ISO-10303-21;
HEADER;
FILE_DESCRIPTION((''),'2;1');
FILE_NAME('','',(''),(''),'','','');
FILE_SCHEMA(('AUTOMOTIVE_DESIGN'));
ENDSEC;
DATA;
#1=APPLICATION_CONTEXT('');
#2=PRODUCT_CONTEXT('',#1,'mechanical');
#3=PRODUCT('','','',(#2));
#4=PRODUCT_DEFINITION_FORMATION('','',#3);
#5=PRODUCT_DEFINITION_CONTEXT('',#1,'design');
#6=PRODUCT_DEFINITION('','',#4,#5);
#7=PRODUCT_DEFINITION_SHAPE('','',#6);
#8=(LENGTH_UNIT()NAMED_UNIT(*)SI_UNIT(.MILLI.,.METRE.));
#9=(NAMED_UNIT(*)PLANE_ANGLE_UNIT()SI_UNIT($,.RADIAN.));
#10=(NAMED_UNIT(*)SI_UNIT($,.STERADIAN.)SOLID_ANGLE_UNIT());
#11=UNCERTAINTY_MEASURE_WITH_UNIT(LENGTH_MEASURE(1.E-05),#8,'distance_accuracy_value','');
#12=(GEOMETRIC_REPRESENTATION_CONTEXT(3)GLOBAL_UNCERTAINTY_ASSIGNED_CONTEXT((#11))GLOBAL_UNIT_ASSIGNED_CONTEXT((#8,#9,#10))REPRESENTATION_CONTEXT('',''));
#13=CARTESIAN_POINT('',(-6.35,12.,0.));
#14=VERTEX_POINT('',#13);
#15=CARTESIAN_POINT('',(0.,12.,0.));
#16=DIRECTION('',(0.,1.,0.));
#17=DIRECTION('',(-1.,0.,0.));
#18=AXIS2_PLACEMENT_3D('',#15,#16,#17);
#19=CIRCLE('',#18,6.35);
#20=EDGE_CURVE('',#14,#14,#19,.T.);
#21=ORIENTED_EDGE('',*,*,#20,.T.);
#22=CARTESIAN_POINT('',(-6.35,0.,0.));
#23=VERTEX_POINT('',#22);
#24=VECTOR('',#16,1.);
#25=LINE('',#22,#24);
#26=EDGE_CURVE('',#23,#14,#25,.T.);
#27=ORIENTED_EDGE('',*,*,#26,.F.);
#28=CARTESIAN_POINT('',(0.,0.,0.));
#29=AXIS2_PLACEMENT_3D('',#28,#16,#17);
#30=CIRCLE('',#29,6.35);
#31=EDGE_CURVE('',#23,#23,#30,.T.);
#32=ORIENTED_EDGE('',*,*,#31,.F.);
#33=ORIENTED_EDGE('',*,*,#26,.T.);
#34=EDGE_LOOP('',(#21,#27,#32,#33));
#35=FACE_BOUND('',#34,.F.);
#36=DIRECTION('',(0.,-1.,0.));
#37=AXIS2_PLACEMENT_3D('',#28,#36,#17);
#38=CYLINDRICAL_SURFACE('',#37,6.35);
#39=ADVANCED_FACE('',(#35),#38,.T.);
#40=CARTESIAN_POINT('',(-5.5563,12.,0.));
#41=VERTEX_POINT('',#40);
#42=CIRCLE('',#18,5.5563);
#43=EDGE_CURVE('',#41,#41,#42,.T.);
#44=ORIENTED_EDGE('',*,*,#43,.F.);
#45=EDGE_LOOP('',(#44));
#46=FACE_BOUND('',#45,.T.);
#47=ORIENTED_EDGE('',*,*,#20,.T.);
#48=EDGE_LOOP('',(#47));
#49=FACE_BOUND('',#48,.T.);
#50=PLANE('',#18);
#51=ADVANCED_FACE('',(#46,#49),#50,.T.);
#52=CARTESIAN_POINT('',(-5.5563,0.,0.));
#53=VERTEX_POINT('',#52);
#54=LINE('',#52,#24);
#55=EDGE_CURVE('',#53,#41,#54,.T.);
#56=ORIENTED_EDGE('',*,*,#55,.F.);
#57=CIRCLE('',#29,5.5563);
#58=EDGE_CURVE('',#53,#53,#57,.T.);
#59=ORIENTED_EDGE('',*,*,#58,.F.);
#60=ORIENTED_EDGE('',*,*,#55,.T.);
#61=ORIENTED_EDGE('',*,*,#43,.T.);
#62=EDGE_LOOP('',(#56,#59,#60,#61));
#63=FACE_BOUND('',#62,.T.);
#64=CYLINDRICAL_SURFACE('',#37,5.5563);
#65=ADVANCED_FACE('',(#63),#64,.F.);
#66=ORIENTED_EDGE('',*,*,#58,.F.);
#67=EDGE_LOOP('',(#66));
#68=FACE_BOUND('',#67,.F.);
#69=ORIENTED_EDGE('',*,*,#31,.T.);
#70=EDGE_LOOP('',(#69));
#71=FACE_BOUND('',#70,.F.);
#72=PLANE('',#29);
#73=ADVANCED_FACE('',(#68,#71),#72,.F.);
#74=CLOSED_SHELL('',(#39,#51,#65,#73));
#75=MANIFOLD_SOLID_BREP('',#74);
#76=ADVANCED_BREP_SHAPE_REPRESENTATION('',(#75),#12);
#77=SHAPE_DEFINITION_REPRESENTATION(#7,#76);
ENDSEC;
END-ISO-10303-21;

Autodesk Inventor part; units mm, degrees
ref_plane "YZ Plane" through (0, 0, 0) normal (1, 0, 0) x (0, 1, 0)
ref_plane "XZ Plane" through (0, 0, 0) normal (0, 1, 0) x (-1, 0, 0)
ref_plane "XY Plane" through (0, 0, 0) normal (0, 0, 1) x (1, 0, 0)
sketch "Sketch1" plane through (0, 0, 0) normal (0, 1, 0) x (-1, 0, 0)
  circle A0 centre (0, 0) radius 6.35
  circle A1 centre (0, 0) radius 5.5563
  dimension "d0" = 12.7
  dimension "d1" = 11.1125
extrude "Extrusion1" add sketch "Sketch1" along normal blind 12
equation "\"d0\" = diametro_externo"
equation "\"d1\" = diametro_interno"
equation "\"diametro_externo\" = 12.7"
equation "\"diametro_interno\" = 11.1125"
properties part number "coso_pequeño" material "Aluminum 6061"
